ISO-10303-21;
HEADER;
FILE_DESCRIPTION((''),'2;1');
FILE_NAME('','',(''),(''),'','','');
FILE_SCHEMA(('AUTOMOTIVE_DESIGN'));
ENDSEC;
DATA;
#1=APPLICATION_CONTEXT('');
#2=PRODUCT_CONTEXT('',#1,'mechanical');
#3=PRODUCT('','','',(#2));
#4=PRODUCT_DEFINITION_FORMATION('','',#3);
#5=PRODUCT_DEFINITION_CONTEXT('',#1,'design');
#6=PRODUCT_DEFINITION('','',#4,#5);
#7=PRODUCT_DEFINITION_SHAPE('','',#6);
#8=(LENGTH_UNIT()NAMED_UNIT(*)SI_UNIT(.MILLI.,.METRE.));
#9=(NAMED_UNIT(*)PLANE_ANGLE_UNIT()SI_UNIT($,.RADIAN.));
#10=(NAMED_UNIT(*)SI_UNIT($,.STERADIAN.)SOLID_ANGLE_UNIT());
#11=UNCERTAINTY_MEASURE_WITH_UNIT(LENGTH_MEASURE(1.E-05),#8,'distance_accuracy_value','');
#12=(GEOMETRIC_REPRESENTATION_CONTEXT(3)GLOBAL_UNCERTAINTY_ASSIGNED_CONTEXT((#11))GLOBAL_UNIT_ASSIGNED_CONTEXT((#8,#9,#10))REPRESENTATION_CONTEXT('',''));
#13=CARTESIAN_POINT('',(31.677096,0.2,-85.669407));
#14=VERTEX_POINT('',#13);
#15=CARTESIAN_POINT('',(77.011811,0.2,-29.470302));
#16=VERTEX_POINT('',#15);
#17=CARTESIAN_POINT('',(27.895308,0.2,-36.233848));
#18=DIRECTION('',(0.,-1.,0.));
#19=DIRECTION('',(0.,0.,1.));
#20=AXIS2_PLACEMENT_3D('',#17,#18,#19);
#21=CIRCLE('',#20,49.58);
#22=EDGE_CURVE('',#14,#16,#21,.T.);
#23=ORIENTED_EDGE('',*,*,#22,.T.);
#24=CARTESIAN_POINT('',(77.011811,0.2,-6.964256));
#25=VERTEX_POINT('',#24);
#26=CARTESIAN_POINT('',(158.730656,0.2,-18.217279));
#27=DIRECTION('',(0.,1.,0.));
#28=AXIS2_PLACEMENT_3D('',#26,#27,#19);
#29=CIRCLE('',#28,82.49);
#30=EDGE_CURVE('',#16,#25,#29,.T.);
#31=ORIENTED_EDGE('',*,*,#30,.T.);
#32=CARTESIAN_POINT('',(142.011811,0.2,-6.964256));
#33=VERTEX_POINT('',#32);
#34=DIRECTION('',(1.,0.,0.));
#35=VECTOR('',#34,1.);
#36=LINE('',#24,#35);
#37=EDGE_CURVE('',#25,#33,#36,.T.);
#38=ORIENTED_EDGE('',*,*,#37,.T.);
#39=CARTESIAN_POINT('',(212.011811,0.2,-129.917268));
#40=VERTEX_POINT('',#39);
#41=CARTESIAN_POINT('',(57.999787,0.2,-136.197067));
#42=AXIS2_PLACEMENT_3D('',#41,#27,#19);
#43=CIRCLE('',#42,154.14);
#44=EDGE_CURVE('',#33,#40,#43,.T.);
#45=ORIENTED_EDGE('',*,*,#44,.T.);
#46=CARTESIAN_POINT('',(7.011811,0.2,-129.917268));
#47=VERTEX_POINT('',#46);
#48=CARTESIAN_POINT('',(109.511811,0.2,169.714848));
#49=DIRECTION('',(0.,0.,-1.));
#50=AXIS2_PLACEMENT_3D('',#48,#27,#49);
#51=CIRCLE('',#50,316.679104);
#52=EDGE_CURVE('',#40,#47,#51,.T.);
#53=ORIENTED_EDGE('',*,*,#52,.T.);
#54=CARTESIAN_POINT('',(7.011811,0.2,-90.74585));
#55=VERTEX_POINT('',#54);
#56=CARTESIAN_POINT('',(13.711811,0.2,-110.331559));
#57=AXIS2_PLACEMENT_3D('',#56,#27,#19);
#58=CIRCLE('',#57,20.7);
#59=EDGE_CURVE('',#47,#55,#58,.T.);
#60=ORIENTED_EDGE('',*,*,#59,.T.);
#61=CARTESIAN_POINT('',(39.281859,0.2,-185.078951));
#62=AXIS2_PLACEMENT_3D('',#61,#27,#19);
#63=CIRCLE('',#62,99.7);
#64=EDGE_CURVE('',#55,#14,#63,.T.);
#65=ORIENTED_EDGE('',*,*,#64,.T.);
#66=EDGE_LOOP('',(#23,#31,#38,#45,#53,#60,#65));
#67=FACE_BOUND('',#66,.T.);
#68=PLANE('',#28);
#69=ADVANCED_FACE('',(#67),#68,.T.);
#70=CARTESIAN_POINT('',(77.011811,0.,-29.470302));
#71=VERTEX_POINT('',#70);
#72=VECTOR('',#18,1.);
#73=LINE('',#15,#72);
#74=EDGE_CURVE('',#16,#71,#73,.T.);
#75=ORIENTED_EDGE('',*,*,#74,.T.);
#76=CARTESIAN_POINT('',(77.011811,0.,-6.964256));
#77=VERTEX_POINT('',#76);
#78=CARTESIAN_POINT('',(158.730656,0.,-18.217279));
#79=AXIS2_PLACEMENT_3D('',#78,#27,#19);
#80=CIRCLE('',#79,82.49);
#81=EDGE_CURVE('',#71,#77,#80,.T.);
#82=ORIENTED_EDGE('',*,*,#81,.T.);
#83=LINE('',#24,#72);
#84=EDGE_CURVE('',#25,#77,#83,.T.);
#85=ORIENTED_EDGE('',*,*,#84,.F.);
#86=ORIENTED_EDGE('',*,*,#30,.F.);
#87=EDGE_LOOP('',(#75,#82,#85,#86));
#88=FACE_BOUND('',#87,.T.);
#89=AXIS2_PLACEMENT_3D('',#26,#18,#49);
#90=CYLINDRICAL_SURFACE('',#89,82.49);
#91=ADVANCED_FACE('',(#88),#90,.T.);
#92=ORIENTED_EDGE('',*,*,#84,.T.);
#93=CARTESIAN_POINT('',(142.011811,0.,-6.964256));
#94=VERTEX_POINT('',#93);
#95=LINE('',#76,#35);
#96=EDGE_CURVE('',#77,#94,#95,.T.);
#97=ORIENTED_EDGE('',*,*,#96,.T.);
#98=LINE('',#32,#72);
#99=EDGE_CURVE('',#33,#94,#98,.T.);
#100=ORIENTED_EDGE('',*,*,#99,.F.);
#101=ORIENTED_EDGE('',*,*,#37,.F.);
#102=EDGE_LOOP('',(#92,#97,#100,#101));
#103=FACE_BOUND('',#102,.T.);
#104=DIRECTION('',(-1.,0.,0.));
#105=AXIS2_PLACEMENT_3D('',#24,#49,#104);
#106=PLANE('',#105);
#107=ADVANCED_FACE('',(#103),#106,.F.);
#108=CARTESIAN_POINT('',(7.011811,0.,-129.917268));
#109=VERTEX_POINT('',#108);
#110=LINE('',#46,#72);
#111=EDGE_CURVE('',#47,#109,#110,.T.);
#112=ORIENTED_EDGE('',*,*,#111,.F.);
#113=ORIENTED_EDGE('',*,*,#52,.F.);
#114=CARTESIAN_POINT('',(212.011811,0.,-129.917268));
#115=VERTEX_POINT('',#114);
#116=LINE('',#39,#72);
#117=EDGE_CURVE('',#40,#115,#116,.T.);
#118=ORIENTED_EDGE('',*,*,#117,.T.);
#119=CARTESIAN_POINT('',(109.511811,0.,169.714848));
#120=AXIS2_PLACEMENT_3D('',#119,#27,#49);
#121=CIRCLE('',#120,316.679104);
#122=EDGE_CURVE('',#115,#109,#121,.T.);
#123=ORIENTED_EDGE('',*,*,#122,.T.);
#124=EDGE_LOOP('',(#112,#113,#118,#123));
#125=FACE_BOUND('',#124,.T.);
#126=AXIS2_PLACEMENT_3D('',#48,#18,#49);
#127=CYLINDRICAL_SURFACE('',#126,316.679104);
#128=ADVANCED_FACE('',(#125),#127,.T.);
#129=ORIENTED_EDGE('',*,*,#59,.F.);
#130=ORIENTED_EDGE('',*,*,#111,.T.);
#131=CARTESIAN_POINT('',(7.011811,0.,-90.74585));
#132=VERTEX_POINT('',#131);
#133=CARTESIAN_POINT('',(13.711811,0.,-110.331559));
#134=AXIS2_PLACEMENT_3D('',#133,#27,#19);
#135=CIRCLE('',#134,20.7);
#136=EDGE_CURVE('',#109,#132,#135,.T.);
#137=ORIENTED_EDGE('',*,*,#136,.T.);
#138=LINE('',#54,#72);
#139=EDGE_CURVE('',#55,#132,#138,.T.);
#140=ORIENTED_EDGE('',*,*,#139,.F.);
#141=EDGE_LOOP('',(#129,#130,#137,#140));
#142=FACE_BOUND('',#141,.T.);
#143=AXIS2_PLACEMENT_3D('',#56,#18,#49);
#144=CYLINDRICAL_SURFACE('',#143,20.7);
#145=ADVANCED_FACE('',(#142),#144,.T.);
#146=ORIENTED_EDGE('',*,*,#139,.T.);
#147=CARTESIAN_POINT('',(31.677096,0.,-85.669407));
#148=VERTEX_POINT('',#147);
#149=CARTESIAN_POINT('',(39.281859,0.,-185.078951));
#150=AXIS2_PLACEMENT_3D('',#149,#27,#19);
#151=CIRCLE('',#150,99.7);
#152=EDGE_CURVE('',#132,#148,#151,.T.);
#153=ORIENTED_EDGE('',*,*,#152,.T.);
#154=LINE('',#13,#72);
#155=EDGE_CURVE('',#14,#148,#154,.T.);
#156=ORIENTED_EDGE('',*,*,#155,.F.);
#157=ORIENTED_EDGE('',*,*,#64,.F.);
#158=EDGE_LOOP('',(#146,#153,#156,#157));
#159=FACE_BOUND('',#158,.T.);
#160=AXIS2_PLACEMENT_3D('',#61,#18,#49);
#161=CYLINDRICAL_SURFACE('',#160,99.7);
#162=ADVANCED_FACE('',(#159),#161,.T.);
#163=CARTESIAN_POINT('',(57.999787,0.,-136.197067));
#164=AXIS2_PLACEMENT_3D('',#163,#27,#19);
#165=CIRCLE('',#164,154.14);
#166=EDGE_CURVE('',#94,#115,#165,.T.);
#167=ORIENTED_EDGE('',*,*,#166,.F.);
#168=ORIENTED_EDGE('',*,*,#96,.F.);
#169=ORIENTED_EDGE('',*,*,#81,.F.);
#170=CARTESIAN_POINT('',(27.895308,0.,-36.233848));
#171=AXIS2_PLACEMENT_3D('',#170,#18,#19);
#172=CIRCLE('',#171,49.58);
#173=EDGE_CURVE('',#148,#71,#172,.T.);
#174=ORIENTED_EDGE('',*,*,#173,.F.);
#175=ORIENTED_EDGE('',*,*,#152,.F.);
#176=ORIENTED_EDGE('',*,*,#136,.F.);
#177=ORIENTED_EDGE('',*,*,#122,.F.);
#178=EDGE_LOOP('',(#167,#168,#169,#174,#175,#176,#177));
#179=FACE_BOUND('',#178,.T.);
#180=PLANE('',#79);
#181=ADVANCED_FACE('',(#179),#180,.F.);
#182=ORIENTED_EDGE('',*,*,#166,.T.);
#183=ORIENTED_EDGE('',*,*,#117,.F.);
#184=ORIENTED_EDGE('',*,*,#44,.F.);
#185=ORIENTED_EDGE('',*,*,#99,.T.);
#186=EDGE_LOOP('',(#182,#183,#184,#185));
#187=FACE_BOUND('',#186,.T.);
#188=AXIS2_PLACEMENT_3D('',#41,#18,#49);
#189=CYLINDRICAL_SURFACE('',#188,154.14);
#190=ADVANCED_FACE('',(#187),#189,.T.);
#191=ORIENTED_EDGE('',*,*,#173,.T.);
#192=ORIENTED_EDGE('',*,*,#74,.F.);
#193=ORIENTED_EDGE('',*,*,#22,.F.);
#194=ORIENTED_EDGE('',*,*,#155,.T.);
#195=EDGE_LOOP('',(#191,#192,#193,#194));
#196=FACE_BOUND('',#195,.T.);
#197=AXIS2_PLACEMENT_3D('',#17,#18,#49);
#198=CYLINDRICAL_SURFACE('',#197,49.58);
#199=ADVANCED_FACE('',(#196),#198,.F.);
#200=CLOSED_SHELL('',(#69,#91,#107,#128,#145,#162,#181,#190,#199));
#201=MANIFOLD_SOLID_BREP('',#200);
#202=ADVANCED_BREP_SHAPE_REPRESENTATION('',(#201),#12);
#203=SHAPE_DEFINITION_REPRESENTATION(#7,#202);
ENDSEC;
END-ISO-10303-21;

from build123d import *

# Parameters (mm, degrees)
BOSS_EXTRUDE1_DEPTH = 0.2


with BuildPart() as part:
    # Sketch1 → Boss-Extrude1 (new body)
    with BuildSketch(Plane(origin=(0, 0, 0), x_dir=(1, 0, 0), z_dir=(0, 1, 0))):
        with BuildLine():
            Line((77.011811156, 6.964256389), (142.011811156, 6.964256389))
            ThreePointArc((142.011811156, 6.964256389), (191.952101905, 59.934908511), (212.011811156, 129.917268368))
            ThreePointArc((212.011811156, 129.917268368), (109.511811156, 146.964256388), (7.011811156, 129.917268368))
            ThreePointArc((7.011811156, 129.917268368), (-6.988188844, 110.331559293), (7.011811156, 90.745850217))
            ThreePointArc((7.011811156, 90.745850217), (19.183532895, 87.425752447), (31.677095604, 85.669406772))
            ThreePointArc((31.677095604, 85.669406772), (66.484712456, 67.363163439), (77.011811156, 29.470302254))
            ThreePointArc((77.011811156, 29.470302254), (76.24065583, 18.217279321), (77.011811156, 6.964256389))
        make_face()
    extrude(amount=BOSS_EXTRUDE1_DEPTH)


solid = part.part
